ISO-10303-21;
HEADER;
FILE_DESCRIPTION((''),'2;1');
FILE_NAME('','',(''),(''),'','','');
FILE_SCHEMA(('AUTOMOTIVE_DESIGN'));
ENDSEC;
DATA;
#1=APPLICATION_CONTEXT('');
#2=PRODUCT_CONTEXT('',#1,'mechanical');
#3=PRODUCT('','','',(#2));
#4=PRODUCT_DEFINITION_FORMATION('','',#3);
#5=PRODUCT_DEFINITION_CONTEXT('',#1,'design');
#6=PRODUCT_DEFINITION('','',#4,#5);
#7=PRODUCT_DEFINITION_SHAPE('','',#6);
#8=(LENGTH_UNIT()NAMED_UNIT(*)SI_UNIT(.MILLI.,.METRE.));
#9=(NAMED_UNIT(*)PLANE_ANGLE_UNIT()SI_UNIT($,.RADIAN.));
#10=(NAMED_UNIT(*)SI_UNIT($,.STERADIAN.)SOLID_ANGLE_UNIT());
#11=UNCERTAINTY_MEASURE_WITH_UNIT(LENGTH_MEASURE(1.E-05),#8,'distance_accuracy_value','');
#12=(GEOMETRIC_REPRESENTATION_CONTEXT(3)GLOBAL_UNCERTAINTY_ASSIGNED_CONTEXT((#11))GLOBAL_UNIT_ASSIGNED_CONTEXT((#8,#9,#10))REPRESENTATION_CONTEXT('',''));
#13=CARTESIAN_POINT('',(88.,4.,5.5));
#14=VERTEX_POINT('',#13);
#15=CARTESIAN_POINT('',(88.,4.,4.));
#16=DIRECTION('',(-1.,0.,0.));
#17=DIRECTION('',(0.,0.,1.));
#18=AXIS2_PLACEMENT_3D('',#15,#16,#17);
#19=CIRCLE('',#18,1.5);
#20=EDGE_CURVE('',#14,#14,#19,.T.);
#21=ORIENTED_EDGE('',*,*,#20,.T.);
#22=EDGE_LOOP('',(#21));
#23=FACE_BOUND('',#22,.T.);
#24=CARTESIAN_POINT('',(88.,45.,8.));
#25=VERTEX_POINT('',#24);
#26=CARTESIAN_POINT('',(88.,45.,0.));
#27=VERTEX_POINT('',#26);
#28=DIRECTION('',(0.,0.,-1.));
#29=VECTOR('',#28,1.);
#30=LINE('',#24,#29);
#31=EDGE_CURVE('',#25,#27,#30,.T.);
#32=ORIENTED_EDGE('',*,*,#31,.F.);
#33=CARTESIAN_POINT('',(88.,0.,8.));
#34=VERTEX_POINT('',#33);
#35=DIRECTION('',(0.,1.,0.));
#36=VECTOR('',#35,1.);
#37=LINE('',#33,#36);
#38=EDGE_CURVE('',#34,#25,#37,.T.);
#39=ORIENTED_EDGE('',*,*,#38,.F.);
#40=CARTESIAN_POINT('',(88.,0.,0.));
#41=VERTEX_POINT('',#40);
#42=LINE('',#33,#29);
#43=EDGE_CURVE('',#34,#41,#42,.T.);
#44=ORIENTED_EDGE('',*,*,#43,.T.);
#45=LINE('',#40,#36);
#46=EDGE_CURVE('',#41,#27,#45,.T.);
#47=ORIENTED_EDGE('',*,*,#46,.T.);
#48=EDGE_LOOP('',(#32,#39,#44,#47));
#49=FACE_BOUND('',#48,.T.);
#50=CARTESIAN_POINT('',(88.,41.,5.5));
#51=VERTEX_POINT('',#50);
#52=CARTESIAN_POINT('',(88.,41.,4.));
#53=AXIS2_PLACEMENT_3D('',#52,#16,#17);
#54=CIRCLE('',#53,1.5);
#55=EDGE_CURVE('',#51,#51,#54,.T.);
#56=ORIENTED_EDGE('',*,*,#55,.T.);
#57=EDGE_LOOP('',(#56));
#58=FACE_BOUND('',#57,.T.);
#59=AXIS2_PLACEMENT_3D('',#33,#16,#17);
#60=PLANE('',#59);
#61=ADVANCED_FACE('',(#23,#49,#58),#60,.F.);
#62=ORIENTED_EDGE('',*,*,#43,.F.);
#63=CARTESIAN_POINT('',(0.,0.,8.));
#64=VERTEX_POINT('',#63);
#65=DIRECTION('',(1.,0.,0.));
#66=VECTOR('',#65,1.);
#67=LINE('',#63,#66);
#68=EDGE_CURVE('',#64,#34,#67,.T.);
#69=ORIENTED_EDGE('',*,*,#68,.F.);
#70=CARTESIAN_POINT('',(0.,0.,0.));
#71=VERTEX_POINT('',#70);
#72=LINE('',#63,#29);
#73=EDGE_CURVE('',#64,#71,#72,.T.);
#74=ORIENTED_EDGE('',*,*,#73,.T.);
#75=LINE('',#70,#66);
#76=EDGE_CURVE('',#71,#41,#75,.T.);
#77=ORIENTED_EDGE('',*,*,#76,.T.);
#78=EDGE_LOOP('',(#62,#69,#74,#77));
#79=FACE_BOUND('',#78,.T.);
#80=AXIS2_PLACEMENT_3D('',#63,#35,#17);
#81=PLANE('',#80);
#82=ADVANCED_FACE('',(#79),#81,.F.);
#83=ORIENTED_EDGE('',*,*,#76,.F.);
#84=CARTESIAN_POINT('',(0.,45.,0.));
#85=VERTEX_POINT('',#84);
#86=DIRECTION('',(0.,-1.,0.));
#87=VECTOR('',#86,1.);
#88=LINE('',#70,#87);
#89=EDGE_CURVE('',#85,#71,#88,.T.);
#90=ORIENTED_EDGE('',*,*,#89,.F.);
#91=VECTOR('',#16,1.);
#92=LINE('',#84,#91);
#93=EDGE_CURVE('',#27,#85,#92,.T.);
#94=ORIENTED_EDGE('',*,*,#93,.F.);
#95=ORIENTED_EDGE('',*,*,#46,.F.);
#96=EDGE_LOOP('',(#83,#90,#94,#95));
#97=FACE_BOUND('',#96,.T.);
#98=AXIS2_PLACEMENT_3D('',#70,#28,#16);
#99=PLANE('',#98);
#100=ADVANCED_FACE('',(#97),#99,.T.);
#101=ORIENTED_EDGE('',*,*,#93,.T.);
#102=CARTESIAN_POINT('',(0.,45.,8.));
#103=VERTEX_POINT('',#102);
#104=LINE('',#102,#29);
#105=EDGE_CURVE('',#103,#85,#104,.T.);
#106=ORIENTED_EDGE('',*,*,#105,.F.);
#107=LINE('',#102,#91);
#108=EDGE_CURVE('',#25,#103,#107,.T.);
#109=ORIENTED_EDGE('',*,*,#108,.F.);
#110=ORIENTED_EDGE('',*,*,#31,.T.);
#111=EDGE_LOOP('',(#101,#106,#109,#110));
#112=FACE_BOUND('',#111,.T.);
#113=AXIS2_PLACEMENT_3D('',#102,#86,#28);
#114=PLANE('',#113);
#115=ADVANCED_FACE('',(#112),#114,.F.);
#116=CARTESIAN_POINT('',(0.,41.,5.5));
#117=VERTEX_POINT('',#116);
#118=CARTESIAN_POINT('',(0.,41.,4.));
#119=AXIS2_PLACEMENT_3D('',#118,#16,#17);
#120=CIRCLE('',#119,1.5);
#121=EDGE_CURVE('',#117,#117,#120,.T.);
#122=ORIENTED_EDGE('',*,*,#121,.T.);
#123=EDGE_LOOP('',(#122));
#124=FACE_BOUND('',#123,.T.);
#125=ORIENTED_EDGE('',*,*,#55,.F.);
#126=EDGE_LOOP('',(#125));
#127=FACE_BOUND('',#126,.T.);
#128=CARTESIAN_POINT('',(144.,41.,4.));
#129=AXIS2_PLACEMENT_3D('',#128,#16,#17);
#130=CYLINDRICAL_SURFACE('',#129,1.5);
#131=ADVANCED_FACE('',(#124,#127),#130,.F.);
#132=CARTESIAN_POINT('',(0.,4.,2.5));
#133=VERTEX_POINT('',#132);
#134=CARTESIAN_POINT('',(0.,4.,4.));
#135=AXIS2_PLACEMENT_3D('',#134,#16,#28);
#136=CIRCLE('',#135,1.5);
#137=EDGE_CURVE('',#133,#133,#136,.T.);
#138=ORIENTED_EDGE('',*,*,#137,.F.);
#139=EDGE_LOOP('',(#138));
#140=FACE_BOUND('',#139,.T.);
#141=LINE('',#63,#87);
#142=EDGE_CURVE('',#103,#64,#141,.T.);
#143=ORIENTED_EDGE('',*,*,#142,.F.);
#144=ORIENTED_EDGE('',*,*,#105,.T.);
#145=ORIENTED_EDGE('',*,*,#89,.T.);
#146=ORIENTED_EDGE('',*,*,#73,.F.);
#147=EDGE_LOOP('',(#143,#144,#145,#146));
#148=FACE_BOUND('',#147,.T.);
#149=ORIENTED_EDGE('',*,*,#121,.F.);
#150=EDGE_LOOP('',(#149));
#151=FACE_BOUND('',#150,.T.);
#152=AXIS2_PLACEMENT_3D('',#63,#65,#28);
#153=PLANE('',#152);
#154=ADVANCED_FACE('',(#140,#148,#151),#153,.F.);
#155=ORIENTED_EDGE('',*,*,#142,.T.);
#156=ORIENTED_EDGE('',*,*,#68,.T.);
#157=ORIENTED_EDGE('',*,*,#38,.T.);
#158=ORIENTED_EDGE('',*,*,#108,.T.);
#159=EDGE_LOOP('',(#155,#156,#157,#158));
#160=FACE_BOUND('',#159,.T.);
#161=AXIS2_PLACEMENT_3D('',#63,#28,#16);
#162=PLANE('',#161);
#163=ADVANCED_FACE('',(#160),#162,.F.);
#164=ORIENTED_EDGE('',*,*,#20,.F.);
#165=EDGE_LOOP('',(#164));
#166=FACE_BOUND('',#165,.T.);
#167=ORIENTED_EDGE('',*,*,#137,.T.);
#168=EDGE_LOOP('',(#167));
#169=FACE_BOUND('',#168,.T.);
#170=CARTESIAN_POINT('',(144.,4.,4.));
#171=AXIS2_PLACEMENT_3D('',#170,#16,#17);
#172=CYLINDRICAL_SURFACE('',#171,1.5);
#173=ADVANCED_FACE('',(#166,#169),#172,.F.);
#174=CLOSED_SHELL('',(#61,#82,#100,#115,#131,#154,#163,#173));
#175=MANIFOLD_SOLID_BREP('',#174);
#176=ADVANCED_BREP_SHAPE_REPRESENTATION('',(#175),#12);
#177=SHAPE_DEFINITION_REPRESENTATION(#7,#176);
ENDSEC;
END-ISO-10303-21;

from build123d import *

# Parameters (mm, degrees)
SKETCH1_W           = 88
SKETCH1_H           = 45
BOSS_EXTRUDE1_DEPTH = 8
SKETCH2_R           = 1.5
CUT_EXTRUDE1_DEPTH  = 144


with BuildPart() as part:
    # Sketch1 → Boss-Extrude1 (new body)
    with BuildSketch(Plane.XY):
        with Locations((44, 22.5)):
            Rectangle(SKETCH1_W, SKETCH1_H)
    extrude(amount=BOSS_EXTRUDE1_DEPTH)

    # Sketch2 → Cut-Extrude1 (cut)
    with BuildSketch(Plane.ZY):
        with Locations((4, 41)):
            Circle(SKETCH2_R)
        with Locations((4, 4)):
            Circle(SKETCH2_R)
    extrude(amount=-CUT_EXTRUDE1_DEPTH, mode=Mode.SUBTRACT)


solid = part.part
